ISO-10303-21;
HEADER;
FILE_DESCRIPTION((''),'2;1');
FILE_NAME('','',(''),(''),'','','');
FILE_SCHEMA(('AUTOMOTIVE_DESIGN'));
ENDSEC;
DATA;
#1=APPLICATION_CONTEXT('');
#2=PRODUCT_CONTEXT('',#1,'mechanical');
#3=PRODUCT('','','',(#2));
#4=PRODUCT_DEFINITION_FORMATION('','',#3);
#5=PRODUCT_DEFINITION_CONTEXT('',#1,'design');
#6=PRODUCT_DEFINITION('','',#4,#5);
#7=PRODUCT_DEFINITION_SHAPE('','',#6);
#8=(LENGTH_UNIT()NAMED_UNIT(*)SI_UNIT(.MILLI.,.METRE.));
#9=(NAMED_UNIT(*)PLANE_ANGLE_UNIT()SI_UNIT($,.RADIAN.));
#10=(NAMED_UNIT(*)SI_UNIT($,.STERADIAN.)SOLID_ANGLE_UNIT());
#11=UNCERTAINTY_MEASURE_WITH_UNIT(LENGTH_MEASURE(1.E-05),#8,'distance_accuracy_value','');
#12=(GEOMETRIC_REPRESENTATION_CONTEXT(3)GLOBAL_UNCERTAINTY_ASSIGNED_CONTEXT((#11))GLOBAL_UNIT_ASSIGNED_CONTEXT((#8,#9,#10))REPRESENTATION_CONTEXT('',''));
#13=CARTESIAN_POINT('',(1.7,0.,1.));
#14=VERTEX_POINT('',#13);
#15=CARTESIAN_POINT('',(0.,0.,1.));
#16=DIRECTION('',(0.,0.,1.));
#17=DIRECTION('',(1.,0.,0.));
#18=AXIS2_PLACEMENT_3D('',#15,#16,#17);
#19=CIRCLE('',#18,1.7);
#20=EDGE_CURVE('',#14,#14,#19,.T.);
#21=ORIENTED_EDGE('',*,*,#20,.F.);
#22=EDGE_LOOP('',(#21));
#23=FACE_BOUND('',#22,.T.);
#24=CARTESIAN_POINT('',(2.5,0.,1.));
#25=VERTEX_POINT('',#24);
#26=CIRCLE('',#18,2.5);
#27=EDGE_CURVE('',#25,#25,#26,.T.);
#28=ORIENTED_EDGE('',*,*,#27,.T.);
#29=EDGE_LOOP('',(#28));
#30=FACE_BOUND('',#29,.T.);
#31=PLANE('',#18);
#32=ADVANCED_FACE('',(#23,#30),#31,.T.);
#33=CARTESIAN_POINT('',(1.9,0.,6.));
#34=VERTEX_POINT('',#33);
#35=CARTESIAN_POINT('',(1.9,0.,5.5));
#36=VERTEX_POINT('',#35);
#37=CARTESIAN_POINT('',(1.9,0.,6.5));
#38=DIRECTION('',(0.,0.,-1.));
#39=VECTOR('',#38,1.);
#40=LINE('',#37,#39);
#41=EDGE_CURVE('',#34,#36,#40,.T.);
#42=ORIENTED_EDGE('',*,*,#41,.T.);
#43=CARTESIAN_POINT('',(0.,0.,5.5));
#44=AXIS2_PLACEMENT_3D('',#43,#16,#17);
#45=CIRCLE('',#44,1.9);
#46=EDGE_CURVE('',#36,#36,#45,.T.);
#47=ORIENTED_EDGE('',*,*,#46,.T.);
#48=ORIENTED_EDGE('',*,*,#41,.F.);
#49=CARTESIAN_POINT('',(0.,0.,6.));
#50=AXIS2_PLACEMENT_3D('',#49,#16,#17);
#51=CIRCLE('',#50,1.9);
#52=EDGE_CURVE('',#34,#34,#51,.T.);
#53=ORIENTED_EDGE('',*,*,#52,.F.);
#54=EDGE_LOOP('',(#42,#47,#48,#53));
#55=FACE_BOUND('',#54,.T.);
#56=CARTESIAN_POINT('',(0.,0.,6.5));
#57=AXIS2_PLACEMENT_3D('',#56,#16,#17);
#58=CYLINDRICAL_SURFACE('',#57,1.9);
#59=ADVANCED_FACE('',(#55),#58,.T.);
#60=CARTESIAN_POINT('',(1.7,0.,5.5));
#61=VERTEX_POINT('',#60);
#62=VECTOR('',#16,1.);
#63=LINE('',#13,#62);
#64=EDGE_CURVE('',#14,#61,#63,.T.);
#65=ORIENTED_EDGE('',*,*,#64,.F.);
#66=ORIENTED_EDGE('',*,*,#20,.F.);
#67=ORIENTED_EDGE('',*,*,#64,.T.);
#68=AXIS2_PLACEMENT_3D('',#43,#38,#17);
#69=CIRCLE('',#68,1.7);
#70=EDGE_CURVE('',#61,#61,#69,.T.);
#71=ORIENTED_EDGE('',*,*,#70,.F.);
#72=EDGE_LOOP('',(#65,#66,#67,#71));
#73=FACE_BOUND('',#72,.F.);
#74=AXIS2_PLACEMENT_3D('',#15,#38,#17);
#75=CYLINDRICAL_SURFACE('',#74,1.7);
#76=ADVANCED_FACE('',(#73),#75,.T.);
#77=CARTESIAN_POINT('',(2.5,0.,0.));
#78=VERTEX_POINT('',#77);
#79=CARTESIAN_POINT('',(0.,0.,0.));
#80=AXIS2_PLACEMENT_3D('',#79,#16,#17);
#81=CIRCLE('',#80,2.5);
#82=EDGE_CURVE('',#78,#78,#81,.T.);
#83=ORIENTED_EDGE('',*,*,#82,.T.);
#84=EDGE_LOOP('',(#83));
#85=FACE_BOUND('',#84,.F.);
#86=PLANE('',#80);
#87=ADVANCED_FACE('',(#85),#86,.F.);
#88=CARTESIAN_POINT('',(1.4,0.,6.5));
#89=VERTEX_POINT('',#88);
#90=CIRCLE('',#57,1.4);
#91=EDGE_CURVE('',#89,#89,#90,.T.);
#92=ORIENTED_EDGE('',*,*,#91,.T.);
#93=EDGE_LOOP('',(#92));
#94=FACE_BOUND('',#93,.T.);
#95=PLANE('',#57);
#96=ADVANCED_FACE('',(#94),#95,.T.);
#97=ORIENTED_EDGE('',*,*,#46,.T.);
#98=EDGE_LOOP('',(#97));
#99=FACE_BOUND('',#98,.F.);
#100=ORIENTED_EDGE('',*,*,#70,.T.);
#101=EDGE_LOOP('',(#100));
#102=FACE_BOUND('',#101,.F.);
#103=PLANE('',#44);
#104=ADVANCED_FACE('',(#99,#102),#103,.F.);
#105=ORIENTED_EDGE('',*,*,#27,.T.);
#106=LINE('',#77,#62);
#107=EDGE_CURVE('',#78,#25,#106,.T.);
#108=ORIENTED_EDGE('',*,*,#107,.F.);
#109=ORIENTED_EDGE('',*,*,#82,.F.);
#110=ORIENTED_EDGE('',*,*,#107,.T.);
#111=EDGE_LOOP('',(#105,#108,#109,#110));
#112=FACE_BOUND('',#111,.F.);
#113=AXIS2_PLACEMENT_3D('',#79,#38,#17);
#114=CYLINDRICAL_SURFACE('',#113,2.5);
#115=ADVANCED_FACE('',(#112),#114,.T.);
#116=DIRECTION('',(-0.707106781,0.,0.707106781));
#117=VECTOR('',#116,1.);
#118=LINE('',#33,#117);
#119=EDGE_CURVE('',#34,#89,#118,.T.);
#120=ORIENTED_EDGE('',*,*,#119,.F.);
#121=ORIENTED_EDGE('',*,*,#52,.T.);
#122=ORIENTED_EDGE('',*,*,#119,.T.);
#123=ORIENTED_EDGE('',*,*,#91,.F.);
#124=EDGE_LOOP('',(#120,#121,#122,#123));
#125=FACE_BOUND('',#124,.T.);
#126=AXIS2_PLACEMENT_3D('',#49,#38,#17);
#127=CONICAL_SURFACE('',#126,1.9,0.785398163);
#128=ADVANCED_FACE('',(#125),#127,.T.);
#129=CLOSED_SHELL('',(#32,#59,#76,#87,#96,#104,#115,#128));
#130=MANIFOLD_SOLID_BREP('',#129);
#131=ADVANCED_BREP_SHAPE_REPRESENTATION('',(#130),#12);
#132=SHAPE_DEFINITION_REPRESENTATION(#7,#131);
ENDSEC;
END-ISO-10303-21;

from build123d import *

# Parameters (mm, degrees)
F0_R     = 2.5
F1_DEPTH = 1
F2_R     = 1.7
F3_DEPTH = 5.5
F4_R     = 1.9
F5_DEPTH = 1
F6_SIZE  = 0.5


with BuildPart() as f1:
    # F0 (on Top) → F1 (new body)
    with BuildSketch(Plane.XY):
        Circle(F0_R)
    extrude(amount=F1_DEPTH)

    # F2 (on face) → F3 (join)
    with BuildSketch(Plane.XY.offset(1)):
        Circle(F2_R)
    extrude(amount=F3_DEPTH)

    # F4 (on face) → F5 (join)
    with BuildSketch(Plane.XY.offset(6.5)):
        Circle(F4_R)
    extrude(amount=-F5_DEPTH)

    # F6
    f6_edges = [f1.edges().sort_by_distance(p)[0] for p in [
        (-1.9, 0, 6.5),
    ]]
    chamfer(f6_edges, length=F6_SIZE)


solid = f1.part
